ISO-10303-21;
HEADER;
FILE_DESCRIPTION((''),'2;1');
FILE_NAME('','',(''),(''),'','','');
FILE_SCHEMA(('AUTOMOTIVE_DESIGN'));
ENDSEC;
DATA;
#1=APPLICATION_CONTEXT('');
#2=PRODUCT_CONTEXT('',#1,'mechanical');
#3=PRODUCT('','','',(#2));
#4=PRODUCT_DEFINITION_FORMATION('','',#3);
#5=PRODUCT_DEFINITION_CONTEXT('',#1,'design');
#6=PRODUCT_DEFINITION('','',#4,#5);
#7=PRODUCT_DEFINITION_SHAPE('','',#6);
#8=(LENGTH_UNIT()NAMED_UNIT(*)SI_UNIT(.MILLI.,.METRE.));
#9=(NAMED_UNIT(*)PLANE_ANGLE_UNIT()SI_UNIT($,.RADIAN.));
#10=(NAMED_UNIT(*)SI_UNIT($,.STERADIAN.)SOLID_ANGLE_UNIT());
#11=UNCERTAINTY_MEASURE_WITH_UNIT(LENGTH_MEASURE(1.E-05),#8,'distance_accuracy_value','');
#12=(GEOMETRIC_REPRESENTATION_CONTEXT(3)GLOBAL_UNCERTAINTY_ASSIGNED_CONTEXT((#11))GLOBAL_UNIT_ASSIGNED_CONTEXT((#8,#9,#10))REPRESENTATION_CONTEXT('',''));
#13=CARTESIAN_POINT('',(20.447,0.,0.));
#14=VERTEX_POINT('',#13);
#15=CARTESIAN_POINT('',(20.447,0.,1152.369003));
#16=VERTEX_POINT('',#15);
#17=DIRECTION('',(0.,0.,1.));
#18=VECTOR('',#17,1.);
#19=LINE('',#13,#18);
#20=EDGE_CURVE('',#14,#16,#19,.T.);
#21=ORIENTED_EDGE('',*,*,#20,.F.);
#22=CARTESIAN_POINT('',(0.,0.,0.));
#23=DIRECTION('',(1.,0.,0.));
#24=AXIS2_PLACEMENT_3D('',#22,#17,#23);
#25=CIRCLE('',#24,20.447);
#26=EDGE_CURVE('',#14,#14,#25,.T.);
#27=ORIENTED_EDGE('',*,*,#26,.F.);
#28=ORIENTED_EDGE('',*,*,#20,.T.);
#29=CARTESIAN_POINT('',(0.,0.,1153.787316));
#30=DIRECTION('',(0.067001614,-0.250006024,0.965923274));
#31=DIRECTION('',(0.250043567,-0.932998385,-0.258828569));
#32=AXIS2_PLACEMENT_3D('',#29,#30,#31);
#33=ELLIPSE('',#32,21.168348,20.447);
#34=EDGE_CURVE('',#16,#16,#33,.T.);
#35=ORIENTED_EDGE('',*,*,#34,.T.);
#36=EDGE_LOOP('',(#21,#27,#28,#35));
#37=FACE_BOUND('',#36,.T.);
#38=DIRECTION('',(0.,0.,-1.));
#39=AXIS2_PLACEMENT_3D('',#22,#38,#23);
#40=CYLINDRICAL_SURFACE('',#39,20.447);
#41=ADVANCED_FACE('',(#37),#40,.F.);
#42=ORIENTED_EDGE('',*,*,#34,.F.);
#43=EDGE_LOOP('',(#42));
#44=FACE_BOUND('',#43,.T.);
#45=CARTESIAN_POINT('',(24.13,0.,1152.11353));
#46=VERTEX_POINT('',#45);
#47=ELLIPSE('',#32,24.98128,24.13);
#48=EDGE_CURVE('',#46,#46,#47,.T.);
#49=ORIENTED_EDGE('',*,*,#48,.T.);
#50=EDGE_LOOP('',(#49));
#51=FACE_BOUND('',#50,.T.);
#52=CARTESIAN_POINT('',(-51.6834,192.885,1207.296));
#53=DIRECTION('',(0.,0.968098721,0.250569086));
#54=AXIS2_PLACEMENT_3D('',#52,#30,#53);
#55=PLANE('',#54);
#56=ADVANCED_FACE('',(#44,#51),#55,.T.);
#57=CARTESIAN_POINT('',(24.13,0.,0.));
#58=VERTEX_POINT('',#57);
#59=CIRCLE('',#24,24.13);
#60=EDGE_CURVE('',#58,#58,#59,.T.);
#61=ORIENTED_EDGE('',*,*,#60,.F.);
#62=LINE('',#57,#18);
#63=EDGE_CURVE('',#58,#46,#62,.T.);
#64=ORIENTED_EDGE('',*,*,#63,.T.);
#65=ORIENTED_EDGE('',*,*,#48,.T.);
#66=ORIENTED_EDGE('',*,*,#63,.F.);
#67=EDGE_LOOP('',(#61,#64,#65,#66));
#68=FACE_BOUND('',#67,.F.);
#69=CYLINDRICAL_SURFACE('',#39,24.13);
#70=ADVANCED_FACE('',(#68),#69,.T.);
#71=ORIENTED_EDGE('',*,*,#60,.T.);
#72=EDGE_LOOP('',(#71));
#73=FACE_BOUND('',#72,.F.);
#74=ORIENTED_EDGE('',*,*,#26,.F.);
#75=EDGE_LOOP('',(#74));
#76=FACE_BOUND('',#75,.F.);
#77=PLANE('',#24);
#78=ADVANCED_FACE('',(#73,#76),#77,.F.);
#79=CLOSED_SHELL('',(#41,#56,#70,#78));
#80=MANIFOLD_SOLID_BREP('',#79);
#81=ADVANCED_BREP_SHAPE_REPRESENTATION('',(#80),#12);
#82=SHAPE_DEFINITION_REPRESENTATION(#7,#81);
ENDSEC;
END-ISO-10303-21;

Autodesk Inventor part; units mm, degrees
ref_plane "Start Plane" through (0, 0, 0) normal (0, 0, 1) x (1, 0, 0)
ref_plane "End Plane" through (0, 0, 1161.7081) normal (0, 0, 1) x (1, 0, 0)
sketch "Sketch" plane through (0, 0, 0) normal (0, 0, 1) x (1, 0, 0)
  circle A0 centre (0, 0) radius 20.447
  circle A1 centre (0, 0) radius 24.13
  dimension "d0" = 48.26
  dimension "d1" = 3.683
extrude "Body" add sketch "Sketch" along normal up to surface (1161.7081 mm away) from surface at 0
sketch "Sketch3" plane through (0, 0, 0) normal (0, 0, 1) x (1, 0, 0)
  line L0 (0, 0) -> (10, 0)
ref_plane "Work Plane3" through (0, 0, 0) normal (0, -1, 0) x (1, 0, 0)
ref_plane "Work Plane4" through (-51.6834, 192.885, 1207.296) normal (0.067, -0.25, 0.9659) x (0.9977, 0.0085, -0.067)
split "Split1" plane through (-51.6834, 192.885, 1207.296) removes the side toward (0.067, -0.25, 0.9659)
sketch "Sketch4" plane through (0, 0, 0) normal (0, -1, 0) x (1, 0, 0)
  line L0 (-2, 0) -> (12, 0) projected
  line L1 (-2, 1161.7081) -> (12, 1161.7081) projected
  dimension "d7" = 1161.7081
equation "\"d0\" = G_H"
equation "\"d1\" = G_T"
equation "\"d2\" = G_L"
equation "\"G_H\" = 48.26"
equation "\"G_T\" = 3.683"
equation "\"G_L\" = d7"
equation "\"G_OFFSET_START\" = 0"
equation "\"G_OFFSET_END\" = -18.09776"
equation "\"d5\" = G_OFFSET_END + B_L"
equation "\"B_L\" = 1179.8059"
properties part number "ANSI - 1 1/2 x 0.145 - 45.737" material "Steel, Mild"
